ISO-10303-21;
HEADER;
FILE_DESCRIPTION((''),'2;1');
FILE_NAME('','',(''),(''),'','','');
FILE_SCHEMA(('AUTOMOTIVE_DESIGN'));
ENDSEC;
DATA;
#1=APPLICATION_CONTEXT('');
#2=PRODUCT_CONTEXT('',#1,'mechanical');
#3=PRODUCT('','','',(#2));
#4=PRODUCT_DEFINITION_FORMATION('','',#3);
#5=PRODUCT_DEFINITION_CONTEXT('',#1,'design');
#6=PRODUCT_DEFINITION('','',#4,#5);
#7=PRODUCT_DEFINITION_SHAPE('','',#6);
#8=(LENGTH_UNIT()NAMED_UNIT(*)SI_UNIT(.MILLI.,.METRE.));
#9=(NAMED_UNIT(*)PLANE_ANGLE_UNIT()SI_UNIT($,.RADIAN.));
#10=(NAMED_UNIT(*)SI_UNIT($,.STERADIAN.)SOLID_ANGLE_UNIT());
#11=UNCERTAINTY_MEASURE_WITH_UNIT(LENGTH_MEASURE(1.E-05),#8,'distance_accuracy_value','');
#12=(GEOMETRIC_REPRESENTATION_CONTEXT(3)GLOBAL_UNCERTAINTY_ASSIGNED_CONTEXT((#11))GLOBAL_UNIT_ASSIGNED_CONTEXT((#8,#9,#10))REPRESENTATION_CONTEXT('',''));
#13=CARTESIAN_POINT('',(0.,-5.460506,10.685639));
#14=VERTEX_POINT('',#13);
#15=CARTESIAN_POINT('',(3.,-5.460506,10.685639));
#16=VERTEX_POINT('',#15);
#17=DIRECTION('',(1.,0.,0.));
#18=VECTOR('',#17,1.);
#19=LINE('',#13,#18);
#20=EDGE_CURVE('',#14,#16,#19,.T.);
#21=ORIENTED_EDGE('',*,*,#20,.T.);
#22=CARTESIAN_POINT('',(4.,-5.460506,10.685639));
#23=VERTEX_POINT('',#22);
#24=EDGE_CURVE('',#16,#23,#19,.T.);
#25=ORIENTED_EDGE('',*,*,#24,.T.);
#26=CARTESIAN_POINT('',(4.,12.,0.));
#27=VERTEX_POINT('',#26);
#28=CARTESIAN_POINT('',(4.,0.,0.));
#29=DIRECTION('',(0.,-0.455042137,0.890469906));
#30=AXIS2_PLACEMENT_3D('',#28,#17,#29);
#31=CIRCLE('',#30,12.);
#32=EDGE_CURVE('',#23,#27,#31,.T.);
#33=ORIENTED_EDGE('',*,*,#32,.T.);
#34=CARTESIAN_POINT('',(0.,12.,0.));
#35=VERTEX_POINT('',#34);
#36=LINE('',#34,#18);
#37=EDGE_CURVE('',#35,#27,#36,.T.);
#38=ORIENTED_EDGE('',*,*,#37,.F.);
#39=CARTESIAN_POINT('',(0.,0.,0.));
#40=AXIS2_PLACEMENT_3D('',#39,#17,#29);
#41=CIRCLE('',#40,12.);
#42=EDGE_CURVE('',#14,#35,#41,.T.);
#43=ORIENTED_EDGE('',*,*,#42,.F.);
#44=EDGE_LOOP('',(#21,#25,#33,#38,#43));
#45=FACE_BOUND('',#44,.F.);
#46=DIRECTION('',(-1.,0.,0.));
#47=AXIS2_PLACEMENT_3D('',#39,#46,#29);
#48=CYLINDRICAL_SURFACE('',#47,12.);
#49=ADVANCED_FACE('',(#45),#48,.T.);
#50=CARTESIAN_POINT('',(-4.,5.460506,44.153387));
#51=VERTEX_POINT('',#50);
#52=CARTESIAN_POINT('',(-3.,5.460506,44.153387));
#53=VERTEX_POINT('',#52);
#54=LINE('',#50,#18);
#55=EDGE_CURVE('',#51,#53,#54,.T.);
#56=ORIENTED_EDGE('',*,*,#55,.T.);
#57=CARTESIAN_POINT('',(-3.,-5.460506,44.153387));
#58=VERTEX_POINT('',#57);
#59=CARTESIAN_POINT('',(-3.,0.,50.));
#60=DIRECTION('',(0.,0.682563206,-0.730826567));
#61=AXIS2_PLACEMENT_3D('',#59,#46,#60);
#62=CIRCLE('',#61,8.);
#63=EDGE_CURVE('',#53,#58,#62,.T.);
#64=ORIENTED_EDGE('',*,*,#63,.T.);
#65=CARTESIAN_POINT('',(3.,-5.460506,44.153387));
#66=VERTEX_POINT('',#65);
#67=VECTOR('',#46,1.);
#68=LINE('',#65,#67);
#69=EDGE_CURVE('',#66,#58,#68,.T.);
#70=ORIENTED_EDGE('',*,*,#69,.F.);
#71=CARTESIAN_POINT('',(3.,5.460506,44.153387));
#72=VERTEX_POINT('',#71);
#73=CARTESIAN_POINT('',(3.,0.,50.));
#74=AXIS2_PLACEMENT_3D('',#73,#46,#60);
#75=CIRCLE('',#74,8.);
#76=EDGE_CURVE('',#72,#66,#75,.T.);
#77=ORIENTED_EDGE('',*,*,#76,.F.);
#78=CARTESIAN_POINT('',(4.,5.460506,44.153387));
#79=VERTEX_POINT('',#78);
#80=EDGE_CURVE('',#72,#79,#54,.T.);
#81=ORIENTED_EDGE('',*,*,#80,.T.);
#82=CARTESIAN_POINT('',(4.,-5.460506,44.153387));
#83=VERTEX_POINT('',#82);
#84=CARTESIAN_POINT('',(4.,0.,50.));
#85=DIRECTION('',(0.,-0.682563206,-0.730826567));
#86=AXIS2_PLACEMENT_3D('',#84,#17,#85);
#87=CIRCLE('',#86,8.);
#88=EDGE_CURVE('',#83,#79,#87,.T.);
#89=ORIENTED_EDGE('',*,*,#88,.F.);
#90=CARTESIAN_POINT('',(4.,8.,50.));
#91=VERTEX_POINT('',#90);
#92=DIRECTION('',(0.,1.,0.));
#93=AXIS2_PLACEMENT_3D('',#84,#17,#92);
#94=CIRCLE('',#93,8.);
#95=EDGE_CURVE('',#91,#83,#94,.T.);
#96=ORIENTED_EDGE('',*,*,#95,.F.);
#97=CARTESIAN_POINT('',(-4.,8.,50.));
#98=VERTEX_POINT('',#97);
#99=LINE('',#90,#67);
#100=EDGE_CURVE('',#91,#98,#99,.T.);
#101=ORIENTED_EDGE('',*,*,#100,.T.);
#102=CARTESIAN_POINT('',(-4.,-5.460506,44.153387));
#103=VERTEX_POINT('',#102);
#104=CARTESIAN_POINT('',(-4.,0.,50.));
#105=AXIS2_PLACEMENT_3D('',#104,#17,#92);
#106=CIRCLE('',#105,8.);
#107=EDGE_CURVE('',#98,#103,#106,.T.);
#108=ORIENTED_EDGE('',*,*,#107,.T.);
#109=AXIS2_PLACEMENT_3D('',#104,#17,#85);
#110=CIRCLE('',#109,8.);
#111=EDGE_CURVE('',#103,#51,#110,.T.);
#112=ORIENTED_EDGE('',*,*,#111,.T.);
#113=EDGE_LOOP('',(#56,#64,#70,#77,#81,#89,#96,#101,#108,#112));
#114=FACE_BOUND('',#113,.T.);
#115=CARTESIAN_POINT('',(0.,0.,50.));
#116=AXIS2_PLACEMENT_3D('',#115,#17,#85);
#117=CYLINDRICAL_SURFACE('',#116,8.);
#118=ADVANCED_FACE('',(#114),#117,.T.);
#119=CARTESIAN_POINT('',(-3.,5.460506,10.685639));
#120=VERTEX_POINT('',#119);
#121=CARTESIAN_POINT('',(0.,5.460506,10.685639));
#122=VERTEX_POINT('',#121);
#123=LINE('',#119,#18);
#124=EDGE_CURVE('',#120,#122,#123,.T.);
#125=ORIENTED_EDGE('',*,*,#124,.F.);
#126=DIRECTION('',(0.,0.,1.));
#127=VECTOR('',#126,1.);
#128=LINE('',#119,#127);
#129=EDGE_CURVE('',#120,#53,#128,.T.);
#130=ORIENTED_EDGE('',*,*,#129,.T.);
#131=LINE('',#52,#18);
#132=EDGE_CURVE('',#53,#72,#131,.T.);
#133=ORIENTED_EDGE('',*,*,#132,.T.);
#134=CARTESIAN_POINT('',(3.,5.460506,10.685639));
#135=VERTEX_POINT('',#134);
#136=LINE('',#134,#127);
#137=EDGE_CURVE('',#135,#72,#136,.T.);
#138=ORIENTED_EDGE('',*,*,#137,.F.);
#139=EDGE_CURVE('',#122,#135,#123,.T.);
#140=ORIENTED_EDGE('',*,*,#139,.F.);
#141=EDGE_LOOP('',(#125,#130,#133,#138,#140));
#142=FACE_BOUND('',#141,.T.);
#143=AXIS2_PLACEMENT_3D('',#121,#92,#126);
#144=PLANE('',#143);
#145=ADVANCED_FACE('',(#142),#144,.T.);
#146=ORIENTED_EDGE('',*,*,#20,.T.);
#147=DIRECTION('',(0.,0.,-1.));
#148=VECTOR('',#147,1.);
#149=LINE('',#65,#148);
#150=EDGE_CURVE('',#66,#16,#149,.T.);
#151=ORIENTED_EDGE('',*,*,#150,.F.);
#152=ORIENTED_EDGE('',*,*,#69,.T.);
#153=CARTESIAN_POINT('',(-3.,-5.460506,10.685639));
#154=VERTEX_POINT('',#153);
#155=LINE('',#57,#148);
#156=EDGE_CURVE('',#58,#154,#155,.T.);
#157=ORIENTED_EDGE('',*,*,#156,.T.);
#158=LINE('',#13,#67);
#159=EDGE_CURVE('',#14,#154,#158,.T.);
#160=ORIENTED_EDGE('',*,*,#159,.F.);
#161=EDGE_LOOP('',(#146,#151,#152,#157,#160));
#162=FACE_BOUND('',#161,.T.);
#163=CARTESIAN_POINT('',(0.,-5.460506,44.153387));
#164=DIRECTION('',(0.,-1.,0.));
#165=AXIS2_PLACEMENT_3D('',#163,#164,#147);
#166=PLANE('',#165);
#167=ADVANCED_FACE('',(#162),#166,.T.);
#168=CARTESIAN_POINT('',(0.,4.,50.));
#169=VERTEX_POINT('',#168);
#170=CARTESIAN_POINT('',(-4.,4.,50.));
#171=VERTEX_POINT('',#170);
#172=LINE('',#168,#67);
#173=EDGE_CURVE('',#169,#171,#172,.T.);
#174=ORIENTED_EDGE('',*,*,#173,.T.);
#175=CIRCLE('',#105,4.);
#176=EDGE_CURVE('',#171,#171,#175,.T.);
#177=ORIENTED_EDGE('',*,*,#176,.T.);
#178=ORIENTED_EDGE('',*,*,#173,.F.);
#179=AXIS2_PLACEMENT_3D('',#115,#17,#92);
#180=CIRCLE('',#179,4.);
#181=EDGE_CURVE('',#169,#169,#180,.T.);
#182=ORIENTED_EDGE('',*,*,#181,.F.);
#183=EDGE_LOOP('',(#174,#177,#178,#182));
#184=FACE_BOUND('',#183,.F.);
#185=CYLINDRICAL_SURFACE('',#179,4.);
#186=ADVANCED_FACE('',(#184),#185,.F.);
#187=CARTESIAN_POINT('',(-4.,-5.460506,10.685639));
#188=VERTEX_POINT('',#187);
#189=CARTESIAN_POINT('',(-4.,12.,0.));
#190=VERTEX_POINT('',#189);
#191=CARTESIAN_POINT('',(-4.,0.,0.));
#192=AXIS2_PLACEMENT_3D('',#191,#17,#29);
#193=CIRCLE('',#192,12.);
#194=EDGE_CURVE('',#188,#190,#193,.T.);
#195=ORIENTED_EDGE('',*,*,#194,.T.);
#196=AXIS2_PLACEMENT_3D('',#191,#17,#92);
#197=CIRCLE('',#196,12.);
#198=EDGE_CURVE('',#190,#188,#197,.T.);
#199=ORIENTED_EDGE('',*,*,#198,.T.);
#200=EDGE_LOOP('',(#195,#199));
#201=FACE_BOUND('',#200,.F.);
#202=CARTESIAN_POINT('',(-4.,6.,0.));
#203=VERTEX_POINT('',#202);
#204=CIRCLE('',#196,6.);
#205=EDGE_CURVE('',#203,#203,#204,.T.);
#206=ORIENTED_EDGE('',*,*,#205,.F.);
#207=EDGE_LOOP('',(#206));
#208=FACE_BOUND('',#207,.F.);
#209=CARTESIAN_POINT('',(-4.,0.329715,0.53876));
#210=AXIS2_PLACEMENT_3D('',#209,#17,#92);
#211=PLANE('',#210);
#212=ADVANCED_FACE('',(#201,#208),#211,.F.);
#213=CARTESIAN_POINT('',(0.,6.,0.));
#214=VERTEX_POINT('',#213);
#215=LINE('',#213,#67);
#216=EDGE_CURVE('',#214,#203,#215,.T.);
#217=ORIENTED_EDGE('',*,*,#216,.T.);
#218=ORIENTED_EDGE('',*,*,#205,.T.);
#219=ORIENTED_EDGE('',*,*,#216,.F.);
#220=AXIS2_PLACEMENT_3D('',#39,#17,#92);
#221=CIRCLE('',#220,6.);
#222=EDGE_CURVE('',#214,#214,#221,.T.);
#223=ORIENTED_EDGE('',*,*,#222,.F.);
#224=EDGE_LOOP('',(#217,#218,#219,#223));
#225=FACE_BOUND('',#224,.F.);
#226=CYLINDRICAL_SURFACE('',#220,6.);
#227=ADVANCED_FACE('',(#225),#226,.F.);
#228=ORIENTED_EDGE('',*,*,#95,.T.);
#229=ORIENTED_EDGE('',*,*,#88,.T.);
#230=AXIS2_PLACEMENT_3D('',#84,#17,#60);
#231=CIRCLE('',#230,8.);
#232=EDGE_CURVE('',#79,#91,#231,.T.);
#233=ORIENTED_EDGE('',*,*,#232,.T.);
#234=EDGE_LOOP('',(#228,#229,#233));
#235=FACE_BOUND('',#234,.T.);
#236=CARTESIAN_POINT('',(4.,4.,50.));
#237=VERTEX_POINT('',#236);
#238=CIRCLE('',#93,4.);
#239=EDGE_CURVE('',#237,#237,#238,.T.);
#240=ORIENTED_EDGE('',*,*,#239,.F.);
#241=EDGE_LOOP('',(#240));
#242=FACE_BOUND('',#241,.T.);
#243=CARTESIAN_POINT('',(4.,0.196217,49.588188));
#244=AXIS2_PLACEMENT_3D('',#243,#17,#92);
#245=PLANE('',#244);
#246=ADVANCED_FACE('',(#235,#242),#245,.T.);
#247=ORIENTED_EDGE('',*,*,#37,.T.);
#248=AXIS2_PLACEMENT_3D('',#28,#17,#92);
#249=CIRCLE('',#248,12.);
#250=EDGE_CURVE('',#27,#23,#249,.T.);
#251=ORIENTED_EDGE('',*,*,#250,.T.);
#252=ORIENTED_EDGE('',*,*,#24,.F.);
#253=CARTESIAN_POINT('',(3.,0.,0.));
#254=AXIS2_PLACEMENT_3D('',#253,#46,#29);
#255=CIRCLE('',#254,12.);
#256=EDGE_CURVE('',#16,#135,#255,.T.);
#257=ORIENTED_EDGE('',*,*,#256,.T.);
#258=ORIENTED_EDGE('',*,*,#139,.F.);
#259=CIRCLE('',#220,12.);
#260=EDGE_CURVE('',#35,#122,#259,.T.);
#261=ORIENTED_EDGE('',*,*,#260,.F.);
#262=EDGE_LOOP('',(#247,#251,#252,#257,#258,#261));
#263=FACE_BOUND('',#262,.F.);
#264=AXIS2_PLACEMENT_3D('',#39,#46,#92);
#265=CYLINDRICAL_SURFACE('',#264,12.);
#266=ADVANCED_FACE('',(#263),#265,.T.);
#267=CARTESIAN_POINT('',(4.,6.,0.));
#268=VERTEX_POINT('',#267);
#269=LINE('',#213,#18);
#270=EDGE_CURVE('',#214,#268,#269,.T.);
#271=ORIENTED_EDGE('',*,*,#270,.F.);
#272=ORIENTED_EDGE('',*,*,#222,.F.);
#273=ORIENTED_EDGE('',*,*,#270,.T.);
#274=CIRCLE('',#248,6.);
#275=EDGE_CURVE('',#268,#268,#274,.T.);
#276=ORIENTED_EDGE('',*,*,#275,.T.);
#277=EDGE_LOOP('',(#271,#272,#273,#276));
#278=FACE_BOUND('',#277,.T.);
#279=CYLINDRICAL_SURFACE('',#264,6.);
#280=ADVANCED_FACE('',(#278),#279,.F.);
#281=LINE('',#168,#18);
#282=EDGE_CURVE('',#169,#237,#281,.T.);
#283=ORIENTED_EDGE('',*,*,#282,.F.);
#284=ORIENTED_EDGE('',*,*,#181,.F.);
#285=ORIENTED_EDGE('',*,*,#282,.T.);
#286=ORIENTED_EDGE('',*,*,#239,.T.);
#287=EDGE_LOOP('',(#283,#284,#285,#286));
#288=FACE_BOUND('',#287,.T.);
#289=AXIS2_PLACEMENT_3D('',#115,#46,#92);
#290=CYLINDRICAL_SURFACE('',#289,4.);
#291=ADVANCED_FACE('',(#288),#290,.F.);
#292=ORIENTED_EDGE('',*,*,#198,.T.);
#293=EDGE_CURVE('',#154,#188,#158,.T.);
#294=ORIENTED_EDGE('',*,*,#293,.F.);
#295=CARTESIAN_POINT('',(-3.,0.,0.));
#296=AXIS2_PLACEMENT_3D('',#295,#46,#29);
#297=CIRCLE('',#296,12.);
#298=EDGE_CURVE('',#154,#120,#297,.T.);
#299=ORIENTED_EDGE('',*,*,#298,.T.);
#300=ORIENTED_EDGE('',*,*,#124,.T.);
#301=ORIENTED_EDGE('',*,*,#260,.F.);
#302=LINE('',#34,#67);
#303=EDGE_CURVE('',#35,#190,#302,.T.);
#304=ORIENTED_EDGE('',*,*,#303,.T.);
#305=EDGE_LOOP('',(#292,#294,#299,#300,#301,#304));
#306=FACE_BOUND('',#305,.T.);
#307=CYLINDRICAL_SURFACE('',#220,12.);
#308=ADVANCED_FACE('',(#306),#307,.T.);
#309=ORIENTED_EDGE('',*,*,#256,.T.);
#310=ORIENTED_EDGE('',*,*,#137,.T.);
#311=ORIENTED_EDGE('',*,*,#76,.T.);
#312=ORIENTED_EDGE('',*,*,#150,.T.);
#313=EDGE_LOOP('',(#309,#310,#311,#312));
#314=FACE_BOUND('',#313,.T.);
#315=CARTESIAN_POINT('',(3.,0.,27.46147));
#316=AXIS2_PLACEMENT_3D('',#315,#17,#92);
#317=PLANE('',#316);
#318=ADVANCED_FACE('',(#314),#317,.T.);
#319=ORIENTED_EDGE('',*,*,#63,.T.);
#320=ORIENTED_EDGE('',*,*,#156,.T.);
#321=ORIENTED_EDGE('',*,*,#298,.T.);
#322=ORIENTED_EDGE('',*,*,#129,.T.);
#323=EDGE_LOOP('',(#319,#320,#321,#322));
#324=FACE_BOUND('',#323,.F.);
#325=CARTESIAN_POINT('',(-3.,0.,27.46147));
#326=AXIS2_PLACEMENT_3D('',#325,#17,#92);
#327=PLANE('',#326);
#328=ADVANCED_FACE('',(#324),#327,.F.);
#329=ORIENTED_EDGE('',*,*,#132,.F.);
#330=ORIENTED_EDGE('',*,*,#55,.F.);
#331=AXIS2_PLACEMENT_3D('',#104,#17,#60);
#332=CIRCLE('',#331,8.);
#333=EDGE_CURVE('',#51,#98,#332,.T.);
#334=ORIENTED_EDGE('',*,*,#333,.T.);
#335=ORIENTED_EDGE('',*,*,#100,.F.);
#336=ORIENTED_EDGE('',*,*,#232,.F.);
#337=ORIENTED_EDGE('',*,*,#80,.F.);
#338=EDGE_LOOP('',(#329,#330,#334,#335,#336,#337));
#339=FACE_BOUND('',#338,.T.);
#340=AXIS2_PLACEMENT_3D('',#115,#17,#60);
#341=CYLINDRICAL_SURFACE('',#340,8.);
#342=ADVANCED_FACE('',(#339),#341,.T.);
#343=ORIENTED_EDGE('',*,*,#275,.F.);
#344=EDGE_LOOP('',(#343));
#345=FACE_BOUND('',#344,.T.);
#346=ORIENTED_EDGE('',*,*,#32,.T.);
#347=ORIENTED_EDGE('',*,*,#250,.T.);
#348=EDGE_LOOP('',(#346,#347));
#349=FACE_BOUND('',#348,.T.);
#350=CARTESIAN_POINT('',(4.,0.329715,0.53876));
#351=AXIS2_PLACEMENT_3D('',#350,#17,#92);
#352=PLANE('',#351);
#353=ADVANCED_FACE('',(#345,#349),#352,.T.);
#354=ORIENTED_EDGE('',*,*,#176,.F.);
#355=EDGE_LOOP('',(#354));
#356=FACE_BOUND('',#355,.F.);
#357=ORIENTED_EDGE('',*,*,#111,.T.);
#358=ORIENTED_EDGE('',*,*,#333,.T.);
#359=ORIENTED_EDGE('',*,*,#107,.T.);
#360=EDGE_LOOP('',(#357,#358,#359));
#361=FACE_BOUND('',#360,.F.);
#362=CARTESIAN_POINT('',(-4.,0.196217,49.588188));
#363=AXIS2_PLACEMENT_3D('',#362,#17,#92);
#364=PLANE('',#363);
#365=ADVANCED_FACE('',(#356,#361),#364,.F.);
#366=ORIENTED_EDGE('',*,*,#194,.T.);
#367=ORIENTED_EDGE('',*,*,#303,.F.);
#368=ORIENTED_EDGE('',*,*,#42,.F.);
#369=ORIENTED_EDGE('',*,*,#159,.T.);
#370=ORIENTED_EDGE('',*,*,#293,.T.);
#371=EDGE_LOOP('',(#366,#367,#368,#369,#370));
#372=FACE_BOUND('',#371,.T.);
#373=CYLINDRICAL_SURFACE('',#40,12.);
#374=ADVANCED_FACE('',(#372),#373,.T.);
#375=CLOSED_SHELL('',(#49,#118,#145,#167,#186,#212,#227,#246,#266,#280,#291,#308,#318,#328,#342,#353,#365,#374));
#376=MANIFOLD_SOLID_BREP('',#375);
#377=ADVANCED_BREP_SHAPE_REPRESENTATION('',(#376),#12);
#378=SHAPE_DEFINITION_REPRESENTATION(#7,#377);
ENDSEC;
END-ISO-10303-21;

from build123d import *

# Parameters (mm, degrees)
F0_R     = 6
F1_DEPTH = 4
F0_R_2   = 4
F2_DEPTH = 3


with BuildPart() as f1:
    # F0 (on Right) → F1 (new body, symmetric)
    with BuildSketch(Plane.YZ):
        with BuildLine():
            ThreePointArc((-5.4605056446, 10.6856388721), (-6.2639417408, -10.2353814715), (12, 0))
            ThreePointArc((12, 0), (10.2353814715, 6.2639417408), (5.4605056446, 10.6856388721))
            ThreePointArc((5.4605056446, 10.6856388721), (0, 12), (-5.4605056446, 10.6856388721))
        make_face()
        Circle(F0_R, mode=Mode.SUBTRACT)
    extrude(amount=F1_DEPTH, both=True)



with BuildPart() as f1b:
    # F0 (on Right) → F1, piece 2 (new body, symmetric)
    with BuildSketch(Plane.YZ):
        with BuildLine():
            ThreePointArc((-5.4605056446, 44.1533874675), (0, 42), (5.4605056446, 44.1533874675))
            ThreePointArc((5.4605056446, 44.1533874675), (7.3377123532, 46.8128417953), (8, 50))
            ThreePointArc((8, 50), (-3.1871582047, 57.3377123532), (-5.4605056446, 44.1533874675))
        make_face()
        with Locations((0, 50)):
            Circle(F0_R_2, mode=Mode.SUBTRACT)
    extrude(amount=F1_DEPTH, both=True)


with BuildPart() as f1_1:
    add(f1.part)

    add(f1b.part)  # F2 merges F1b
    # F0 (on Right) → F2 (join, symmetric)
    with BuildSketch(Plane.YZ):
        with BuildLine():
            ThreePointArc((-5.4605056446, 10.6856388721), (0, 12), (5.4605056446, 10.6856388721))
            Line((5.4605056446, 10.6856388721), (5.4605056446, 44.1533874675))
            ThreePointArc((5.4605056446, 44.1533874675), (0, 42), (-5.4605056446, 44.1533874675))
            Line((-5.4605056446, 44.1533874675), (-5.4605056446, 10.6856388721))
        make_face()
    extrude(amount=F2_DEPTH, both=True)


solid = f1_1.part
